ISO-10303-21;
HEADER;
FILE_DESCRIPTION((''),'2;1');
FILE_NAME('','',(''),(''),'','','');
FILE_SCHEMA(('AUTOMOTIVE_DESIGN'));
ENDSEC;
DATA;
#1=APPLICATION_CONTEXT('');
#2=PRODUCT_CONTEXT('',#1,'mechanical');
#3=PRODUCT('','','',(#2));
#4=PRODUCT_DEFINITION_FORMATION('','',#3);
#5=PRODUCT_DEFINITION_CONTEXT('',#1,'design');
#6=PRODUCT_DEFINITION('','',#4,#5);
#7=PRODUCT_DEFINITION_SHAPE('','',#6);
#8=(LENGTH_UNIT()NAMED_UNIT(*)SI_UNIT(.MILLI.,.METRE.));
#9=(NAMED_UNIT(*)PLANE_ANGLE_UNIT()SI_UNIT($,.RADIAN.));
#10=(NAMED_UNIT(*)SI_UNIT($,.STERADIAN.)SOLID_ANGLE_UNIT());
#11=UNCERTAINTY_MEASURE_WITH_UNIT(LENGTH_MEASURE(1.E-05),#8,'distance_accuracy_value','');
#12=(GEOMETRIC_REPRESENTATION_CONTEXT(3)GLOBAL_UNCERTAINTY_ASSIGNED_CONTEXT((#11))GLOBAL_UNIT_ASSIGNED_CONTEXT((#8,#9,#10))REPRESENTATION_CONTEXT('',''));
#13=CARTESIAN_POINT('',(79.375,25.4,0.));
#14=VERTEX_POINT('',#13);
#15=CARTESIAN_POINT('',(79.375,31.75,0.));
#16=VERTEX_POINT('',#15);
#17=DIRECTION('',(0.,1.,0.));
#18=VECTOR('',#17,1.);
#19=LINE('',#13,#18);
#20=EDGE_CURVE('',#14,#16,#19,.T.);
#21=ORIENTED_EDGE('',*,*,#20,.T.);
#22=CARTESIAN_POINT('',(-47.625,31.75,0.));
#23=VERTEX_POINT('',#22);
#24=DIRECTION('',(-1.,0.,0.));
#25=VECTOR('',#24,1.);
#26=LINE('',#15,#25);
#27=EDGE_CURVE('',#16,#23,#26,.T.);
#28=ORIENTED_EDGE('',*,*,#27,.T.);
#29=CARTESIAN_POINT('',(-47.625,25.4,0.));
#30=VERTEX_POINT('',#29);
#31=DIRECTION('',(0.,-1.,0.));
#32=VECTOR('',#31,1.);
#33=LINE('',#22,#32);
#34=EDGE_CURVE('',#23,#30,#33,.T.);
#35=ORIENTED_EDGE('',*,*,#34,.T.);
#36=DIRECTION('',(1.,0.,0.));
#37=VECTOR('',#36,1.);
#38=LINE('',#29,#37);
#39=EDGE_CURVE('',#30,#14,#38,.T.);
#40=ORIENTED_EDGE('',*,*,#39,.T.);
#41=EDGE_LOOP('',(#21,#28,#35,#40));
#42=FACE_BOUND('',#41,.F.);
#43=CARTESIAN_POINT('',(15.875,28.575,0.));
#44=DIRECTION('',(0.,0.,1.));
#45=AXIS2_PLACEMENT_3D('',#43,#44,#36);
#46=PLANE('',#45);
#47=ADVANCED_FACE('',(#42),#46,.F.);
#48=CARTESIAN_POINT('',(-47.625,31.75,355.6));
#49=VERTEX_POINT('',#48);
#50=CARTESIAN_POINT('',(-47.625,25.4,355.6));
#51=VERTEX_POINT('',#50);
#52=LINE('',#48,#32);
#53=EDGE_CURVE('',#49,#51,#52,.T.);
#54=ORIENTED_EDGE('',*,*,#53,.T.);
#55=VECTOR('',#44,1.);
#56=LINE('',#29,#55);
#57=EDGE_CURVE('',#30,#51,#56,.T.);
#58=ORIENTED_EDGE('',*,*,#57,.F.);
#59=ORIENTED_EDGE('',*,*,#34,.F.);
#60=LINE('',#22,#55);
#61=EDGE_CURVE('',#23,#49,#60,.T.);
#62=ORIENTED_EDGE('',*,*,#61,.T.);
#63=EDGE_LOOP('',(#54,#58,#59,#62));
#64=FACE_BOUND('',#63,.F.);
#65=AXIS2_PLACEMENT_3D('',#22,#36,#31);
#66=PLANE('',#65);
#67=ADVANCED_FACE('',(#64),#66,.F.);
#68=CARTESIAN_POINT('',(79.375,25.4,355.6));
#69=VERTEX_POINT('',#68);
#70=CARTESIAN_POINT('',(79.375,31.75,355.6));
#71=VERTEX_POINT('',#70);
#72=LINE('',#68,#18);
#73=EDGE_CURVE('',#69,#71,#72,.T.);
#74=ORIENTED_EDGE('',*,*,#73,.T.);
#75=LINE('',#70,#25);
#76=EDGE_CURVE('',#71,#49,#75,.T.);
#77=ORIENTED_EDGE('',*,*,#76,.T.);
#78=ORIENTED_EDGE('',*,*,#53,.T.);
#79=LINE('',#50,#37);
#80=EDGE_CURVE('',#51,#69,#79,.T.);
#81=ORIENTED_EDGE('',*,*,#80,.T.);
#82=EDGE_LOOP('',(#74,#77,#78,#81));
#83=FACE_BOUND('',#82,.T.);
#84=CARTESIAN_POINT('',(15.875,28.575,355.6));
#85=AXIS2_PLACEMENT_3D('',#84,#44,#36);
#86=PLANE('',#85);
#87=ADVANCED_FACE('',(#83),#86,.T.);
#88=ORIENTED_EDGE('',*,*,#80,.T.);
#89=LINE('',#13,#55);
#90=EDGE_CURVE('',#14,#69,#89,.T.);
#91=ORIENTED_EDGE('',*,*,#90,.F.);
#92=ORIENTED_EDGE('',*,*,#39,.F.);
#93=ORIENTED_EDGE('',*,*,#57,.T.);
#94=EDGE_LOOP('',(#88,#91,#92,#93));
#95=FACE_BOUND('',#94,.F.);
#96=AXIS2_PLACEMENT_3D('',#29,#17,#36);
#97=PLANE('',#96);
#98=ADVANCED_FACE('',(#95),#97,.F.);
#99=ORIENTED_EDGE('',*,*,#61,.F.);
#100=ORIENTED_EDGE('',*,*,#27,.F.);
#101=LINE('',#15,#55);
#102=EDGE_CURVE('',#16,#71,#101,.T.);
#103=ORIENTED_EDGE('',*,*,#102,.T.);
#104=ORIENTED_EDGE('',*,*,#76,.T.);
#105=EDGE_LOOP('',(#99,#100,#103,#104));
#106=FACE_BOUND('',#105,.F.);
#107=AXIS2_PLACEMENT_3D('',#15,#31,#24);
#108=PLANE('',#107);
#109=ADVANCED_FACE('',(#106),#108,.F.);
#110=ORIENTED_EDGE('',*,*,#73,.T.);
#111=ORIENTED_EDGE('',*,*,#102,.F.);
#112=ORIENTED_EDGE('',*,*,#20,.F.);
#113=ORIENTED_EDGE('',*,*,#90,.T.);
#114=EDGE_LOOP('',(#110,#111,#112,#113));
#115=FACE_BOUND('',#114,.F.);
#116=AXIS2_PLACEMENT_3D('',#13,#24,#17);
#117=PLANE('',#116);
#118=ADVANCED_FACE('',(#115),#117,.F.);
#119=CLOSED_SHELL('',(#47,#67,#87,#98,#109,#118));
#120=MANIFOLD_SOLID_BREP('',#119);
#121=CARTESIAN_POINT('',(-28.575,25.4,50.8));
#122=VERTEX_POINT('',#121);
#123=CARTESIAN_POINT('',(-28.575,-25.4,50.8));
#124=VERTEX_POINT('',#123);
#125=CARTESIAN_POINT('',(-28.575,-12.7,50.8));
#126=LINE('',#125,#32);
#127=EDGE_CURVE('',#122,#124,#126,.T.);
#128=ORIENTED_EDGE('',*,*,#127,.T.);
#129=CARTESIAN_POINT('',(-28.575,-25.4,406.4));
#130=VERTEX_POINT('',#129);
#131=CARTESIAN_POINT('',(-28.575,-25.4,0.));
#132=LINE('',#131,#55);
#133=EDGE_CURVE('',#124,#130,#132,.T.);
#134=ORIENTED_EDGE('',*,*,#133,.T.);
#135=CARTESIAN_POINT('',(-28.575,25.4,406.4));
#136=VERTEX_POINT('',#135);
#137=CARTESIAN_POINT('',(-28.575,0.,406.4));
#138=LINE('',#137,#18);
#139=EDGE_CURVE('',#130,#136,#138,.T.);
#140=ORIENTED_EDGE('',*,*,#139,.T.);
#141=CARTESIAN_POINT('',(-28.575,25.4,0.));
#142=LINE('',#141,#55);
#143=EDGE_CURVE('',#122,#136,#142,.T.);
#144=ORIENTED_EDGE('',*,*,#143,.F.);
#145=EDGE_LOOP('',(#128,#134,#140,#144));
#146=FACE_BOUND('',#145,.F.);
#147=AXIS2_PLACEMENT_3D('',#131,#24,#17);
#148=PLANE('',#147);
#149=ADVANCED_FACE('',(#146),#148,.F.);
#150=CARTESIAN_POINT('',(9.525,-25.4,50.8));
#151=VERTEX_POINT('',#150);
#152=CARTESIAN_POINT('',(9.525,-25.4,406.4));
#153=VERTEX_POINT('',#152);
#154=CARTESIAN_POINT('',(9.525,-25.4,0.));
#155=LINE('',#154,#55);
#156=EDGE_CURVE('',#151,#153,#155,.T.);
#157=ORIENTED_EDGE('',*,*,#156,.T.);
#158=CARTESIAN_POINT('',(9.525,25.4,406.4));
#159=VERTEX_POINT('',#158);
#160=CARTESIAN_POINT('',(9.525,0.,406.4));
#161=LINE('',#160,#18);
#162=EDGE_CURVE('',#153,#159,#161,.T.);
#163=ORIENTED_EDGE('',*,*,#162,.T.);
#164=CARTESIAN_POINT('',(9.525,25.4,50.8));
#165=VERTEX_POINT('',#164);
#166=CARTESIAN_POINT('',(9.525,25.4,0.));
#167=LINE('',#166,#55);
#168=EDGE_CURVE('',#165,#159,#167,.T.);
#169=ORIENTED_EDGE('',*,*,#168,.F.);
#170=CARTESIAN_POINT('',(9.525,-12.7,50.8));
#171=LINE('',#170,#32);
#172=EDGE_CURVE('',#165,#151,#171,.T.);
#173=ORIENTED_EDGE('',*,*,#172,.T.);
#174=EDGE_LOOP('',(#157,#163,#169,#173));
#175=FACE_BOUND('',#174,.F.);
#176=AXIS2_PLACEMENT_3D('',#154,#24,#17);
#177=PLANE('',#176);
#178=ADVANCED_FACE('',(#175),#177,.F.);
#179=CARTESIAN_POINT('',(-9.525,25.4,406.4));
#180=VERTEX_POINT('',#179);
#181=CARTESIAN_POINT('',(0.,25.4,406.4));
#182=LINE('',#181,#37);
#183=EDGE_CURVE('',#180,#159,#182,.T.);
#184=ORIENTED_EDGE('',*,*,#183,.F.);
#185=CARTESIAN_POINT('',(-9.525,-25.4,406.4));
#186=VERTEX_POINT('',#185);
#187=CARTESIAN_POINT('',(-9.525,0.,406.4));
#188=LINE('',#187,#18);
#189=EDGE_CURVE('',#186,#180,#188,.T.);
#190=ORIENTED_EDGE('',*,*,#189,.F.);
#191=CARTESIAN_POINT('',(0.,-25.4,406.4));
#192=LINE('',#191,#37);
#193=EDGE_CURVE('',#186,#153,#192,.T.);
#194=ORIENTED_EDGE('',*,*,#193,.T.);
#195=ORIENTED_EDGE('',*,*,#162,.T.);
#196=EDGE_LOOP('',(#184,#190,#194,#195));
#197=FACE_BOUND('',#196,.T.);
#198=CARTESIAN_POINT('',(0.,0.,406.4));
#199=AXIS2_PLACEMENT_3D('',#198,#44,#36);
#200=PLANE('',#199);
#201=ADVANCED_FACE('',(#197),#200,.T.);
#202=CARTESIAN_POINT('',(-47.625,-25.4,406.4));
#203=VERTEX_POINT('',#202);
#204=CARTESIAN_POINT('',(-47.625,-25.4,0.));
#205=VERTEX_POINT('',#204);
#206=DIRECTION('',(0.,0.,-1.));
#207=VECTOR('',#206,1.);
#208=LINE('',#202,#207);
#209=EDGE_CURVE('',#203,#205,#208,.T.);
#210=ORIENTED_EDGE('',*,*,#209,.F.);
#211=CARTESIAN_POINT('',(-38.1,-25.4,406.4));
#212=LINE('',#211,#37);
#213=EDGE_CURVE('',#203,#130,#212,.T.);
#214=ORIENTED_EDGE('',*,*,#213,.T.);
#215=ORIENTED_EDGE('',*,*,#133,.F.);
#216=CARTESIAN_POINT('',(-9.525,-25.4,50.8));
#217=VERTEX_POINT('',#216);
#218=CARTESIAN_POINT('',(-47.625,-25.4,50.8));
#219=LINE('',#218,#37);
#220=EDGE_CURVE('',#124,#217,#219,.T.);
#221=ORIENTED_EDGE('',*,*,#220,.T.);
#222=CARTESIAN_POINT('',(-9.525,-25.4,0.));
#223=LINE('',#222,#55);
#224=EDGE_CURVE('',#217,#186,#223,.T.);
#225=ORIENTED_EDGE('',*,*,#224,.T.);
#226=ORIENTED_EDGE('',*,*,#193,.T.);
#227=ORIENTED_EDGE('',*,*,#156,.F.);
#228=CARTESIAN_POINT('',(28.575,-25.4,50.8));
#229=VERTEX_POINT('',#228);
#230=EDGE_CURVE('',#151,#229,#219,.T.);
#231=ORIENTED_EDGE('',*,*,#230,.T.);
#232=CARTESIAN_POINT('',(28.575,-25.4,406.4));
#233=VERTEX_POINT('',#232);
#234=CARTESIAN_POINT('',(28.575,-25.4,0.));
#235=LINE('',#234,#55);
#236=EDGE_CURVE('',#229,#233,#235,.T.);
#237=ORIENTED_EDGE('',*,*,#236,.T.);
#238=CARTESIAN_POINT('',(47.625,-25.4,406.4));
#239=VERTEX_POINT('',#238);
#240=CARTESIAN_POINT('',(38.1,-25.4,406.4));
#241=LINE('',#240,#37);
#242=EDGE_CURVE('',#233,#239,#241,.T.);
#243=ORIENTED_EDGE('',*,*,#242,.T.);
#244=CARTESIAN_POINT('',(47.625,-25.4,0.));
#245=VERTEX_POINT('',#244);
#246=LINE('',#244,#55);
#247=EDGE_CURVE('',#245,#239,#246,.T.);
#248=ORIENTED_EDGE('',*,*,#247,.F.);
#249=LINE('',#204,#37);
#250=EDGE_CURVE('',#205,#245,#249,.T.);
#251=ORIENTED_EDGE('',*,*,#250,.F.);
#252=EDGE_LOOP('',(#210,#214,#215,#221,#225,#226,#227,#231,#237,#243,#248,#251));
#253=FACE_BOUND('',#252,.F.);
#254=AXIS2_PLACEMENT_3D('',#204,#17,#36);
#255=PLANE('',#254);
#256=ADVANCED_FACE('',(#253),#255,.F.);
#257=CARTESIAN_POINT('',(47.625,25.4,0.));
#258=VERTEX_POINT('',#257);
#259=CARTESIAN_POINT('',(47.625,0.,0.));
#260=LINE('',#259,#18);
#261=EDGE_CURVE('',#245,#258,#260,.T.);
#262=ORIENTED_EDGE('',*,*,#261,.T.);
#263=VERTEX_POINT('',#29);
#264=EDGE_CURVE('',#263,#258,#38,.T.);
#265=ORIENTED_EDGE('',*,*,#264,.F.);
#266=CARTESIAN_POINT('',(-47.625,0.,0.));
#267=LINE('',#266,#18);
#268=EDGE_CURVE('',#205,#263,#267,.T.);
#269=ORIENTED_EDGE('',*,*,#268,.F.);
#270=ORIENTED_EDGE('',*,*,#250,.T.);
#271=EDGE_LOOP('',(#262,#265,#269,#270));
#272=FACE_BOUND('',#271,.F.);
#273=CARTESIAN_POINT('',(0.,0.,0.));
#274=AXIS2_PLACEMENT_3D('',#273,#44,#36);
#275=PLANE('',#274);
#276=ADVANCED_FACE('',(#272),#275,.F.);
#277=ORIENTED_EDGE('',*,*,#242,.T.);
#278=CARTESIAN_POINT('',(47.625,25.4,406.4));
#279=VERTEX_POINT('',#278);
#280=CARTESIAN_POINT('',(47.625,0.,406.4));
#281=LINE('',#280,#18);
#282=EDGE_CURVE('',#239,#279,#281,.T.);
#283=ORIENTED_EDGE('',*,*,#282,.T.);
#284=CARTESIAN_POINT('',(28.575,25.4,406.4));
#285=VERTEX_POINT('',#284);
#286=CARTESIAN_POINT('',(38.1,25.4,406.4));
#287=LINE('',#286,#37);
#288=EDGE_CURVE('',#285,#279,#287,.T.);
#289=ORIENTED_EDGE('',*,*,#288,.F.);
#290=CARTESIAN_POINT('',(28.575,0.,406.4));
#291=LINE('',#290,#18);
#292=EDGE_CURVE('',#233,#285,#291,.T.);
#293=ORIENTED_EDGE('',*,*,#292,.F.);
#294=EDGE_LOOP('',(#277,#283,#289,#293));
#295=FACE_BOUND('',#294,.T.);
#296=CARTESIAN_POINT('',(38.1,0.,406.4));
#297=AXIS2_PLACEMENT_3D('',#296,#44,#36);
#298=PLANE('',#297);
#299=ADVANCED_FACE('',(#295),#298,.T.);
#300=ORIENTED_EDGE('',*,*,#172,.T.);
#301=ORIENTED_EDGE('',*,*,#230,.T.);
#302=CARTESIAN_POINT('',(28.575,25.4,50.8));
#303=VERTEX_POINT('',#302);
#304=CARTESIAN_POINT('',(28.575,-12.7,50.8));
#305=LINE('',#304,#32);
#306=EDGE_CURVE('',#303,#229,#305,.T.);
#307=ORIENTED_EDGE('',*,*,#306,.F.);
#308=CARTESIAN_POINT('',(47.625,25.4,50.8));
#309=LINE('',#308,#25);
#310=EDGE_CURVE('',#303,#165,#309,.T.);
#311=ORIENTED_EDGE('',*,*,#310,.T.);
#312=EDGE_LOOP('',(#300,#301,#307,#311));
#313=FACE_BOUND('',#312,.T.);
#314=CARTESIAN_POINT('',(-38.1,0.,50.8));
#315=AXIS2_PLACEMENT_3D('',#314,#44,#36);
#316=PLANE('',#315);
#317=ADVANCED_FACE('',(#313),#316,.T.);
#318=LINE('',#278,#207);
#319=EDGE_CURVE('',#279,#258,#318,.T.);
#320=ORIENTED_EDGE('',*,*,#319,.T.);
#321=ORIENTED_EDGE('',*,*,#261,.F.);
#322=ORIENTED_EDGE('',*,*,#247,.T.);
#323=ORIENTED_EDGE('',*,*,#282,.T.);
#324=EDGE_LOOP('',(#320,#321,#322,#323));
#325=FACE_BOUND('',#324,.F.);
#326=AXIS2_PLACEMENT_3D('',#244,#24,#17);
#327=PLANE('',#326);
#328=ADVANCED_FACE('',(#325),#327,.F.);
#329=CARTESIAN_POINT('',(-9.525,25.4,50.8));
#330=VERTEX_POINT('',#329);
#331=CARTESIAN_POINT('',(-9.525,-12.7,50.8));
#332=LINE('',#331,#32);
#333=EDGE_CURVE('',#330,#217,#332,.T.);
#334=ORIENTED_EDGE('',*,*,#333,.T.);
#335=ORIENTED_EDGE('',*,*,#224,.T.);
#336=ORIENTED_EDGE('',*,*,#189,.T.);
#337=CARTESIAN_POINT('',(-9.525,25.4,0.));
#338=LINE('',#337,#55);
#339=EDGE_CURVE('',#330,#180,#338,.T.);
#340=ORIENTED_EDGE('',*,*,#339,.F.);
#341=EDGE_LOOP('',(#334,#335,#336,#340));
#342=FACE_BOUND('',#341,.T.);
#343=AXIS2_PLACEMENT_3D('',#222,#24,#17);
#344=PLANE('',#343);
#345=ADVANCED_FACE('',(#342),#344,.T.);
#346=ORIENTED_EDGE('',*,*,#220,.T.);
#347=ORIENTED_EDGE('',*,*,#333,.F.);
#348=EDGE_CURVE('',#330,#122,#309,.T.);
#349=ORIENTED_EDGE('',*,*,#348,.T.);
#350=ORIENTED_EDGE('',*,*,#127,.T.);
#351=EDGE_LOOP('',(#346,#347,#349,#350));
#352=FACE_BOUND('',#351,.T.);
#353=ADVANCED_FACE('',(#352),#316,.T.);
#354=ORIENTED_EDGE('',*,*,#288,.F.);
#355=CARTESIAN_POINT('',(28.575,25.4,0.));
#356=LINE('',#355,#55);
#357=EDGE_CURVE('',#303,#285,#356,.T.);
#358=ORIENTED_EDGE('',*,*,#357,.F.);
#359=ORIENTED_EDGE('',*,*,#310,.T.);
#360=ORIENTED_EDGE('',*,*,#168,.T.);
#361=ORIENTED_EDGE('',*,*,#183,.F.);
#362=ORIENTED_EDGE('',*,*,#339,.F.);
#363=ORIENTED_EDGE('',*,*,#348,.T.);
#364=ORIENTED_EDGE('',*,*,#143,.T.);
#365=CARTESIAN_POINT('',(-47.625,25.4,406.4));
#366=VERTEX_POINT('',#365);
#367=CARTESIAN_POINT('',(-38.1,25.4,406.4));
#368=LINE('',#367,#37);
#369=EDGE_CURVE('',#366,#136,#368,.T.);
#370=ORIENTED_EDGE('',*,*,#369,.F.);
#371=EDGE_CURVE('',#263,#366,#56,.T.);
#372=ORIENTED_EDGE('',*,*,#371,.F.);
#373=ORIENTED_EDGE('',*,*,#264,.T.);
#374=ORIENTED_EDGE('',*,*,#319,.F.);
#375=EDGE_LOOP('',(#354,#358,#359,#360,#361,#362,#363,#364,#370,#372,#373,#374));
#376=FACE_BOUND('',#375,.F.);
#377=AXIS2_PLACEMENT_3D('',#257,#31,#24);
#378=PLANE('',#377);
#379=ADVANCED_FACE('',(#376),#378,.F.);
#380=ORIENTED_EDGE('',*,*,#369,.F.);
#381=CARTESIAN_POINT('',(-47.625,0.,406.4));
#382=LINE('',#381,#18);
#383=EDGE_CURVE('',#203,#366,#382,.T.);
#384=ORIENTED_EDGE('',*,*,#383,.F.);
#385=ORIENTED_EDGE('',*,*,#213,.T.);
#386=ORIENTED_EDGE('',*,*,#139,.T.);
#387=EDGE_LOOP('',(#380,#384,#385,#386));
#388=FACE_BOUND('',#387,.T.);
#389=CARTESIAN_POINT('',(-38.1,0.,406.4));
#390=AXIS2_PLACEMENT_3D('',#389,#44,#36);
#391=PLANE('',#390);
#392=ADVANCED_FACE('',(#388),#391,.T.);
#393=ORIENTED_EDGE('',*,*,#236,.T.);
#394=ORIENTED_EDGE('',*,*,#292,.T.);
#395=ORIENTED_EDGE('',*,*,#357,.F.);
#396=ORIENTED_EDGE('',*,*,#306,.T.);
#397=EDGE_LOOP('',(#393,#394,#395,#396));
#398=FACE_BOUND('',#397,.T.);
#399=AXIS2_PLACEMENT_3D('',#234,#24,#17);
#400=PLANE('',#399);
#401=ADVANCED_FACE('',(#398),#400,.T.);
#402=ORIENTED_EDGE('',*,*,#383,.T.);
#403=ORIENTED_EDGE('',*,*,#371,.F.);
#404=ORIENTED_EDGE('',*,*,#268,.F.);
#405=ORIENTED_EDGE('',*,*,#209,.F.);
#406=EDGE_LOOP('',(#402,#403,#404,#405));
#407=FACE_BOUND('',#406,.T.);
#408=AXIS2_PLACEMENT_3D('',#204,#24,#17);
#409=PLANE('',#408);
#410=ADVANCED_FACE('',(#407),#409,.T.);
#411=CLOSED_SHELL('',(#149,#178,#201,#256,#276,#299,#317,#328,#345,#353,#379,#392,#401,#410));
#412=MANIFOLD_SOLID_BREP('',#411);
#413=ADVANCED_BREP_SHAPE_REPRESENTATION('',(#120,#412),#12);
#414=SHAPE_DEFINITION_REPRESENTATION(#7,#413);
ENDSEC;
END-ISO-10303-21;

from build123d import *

# Parameters (mm, degrees)
F0_W     = 19.05
F0_H     = 50.8
F1_DEPTH = 50.8
F2_DEPTH = 406.4
F4_DEPTH = 355.6


with BuildPart() as f1:
    # F0 (on Top) → F1 (new body)
    with BuildSketch(Plane.XY):
        with Locations((-38.1, 0)):
            Rectangle(F0_W, F0_H)
        Rectangle(F0_W, F0_H)
        with Locations((38.1, 0)):
            Rectangle(F0_W, F0_H)
        with Locations((-19.05, 0)):
            Rectangle(F0_W, F0_H)
        with Locations((19.05, 0)):
            Rectangle(F0_W, F0_H)
    extrude(amount=F1_DEPTH)

    # F0 (on Top) → F2 (join)
    with BuildSketch(Plane.XY):
        Rectangle(F0_W, F0_H)
        with Locations((-38.1, 0)):
            Rectangle(F0_W, F0_H)
        with Locations((38.1, 0)):
            Rectangle(F0_W, F0_H)
    extrude(amount=F2_DEPTH)


with BuildPart() as f4:
    # F3 (on Top) → F4 (new body)
    with BuildSketch(Plane.XY):
        Polygon((-47.625, 31.75), (-47.625, 25.4), (-28.575, 25.4), (79.375, 25.4), (79.375, 31.75), align=None)
    extrude(amount=F4_DEPTH)


solid = Compound([f1.part, f4.part])
